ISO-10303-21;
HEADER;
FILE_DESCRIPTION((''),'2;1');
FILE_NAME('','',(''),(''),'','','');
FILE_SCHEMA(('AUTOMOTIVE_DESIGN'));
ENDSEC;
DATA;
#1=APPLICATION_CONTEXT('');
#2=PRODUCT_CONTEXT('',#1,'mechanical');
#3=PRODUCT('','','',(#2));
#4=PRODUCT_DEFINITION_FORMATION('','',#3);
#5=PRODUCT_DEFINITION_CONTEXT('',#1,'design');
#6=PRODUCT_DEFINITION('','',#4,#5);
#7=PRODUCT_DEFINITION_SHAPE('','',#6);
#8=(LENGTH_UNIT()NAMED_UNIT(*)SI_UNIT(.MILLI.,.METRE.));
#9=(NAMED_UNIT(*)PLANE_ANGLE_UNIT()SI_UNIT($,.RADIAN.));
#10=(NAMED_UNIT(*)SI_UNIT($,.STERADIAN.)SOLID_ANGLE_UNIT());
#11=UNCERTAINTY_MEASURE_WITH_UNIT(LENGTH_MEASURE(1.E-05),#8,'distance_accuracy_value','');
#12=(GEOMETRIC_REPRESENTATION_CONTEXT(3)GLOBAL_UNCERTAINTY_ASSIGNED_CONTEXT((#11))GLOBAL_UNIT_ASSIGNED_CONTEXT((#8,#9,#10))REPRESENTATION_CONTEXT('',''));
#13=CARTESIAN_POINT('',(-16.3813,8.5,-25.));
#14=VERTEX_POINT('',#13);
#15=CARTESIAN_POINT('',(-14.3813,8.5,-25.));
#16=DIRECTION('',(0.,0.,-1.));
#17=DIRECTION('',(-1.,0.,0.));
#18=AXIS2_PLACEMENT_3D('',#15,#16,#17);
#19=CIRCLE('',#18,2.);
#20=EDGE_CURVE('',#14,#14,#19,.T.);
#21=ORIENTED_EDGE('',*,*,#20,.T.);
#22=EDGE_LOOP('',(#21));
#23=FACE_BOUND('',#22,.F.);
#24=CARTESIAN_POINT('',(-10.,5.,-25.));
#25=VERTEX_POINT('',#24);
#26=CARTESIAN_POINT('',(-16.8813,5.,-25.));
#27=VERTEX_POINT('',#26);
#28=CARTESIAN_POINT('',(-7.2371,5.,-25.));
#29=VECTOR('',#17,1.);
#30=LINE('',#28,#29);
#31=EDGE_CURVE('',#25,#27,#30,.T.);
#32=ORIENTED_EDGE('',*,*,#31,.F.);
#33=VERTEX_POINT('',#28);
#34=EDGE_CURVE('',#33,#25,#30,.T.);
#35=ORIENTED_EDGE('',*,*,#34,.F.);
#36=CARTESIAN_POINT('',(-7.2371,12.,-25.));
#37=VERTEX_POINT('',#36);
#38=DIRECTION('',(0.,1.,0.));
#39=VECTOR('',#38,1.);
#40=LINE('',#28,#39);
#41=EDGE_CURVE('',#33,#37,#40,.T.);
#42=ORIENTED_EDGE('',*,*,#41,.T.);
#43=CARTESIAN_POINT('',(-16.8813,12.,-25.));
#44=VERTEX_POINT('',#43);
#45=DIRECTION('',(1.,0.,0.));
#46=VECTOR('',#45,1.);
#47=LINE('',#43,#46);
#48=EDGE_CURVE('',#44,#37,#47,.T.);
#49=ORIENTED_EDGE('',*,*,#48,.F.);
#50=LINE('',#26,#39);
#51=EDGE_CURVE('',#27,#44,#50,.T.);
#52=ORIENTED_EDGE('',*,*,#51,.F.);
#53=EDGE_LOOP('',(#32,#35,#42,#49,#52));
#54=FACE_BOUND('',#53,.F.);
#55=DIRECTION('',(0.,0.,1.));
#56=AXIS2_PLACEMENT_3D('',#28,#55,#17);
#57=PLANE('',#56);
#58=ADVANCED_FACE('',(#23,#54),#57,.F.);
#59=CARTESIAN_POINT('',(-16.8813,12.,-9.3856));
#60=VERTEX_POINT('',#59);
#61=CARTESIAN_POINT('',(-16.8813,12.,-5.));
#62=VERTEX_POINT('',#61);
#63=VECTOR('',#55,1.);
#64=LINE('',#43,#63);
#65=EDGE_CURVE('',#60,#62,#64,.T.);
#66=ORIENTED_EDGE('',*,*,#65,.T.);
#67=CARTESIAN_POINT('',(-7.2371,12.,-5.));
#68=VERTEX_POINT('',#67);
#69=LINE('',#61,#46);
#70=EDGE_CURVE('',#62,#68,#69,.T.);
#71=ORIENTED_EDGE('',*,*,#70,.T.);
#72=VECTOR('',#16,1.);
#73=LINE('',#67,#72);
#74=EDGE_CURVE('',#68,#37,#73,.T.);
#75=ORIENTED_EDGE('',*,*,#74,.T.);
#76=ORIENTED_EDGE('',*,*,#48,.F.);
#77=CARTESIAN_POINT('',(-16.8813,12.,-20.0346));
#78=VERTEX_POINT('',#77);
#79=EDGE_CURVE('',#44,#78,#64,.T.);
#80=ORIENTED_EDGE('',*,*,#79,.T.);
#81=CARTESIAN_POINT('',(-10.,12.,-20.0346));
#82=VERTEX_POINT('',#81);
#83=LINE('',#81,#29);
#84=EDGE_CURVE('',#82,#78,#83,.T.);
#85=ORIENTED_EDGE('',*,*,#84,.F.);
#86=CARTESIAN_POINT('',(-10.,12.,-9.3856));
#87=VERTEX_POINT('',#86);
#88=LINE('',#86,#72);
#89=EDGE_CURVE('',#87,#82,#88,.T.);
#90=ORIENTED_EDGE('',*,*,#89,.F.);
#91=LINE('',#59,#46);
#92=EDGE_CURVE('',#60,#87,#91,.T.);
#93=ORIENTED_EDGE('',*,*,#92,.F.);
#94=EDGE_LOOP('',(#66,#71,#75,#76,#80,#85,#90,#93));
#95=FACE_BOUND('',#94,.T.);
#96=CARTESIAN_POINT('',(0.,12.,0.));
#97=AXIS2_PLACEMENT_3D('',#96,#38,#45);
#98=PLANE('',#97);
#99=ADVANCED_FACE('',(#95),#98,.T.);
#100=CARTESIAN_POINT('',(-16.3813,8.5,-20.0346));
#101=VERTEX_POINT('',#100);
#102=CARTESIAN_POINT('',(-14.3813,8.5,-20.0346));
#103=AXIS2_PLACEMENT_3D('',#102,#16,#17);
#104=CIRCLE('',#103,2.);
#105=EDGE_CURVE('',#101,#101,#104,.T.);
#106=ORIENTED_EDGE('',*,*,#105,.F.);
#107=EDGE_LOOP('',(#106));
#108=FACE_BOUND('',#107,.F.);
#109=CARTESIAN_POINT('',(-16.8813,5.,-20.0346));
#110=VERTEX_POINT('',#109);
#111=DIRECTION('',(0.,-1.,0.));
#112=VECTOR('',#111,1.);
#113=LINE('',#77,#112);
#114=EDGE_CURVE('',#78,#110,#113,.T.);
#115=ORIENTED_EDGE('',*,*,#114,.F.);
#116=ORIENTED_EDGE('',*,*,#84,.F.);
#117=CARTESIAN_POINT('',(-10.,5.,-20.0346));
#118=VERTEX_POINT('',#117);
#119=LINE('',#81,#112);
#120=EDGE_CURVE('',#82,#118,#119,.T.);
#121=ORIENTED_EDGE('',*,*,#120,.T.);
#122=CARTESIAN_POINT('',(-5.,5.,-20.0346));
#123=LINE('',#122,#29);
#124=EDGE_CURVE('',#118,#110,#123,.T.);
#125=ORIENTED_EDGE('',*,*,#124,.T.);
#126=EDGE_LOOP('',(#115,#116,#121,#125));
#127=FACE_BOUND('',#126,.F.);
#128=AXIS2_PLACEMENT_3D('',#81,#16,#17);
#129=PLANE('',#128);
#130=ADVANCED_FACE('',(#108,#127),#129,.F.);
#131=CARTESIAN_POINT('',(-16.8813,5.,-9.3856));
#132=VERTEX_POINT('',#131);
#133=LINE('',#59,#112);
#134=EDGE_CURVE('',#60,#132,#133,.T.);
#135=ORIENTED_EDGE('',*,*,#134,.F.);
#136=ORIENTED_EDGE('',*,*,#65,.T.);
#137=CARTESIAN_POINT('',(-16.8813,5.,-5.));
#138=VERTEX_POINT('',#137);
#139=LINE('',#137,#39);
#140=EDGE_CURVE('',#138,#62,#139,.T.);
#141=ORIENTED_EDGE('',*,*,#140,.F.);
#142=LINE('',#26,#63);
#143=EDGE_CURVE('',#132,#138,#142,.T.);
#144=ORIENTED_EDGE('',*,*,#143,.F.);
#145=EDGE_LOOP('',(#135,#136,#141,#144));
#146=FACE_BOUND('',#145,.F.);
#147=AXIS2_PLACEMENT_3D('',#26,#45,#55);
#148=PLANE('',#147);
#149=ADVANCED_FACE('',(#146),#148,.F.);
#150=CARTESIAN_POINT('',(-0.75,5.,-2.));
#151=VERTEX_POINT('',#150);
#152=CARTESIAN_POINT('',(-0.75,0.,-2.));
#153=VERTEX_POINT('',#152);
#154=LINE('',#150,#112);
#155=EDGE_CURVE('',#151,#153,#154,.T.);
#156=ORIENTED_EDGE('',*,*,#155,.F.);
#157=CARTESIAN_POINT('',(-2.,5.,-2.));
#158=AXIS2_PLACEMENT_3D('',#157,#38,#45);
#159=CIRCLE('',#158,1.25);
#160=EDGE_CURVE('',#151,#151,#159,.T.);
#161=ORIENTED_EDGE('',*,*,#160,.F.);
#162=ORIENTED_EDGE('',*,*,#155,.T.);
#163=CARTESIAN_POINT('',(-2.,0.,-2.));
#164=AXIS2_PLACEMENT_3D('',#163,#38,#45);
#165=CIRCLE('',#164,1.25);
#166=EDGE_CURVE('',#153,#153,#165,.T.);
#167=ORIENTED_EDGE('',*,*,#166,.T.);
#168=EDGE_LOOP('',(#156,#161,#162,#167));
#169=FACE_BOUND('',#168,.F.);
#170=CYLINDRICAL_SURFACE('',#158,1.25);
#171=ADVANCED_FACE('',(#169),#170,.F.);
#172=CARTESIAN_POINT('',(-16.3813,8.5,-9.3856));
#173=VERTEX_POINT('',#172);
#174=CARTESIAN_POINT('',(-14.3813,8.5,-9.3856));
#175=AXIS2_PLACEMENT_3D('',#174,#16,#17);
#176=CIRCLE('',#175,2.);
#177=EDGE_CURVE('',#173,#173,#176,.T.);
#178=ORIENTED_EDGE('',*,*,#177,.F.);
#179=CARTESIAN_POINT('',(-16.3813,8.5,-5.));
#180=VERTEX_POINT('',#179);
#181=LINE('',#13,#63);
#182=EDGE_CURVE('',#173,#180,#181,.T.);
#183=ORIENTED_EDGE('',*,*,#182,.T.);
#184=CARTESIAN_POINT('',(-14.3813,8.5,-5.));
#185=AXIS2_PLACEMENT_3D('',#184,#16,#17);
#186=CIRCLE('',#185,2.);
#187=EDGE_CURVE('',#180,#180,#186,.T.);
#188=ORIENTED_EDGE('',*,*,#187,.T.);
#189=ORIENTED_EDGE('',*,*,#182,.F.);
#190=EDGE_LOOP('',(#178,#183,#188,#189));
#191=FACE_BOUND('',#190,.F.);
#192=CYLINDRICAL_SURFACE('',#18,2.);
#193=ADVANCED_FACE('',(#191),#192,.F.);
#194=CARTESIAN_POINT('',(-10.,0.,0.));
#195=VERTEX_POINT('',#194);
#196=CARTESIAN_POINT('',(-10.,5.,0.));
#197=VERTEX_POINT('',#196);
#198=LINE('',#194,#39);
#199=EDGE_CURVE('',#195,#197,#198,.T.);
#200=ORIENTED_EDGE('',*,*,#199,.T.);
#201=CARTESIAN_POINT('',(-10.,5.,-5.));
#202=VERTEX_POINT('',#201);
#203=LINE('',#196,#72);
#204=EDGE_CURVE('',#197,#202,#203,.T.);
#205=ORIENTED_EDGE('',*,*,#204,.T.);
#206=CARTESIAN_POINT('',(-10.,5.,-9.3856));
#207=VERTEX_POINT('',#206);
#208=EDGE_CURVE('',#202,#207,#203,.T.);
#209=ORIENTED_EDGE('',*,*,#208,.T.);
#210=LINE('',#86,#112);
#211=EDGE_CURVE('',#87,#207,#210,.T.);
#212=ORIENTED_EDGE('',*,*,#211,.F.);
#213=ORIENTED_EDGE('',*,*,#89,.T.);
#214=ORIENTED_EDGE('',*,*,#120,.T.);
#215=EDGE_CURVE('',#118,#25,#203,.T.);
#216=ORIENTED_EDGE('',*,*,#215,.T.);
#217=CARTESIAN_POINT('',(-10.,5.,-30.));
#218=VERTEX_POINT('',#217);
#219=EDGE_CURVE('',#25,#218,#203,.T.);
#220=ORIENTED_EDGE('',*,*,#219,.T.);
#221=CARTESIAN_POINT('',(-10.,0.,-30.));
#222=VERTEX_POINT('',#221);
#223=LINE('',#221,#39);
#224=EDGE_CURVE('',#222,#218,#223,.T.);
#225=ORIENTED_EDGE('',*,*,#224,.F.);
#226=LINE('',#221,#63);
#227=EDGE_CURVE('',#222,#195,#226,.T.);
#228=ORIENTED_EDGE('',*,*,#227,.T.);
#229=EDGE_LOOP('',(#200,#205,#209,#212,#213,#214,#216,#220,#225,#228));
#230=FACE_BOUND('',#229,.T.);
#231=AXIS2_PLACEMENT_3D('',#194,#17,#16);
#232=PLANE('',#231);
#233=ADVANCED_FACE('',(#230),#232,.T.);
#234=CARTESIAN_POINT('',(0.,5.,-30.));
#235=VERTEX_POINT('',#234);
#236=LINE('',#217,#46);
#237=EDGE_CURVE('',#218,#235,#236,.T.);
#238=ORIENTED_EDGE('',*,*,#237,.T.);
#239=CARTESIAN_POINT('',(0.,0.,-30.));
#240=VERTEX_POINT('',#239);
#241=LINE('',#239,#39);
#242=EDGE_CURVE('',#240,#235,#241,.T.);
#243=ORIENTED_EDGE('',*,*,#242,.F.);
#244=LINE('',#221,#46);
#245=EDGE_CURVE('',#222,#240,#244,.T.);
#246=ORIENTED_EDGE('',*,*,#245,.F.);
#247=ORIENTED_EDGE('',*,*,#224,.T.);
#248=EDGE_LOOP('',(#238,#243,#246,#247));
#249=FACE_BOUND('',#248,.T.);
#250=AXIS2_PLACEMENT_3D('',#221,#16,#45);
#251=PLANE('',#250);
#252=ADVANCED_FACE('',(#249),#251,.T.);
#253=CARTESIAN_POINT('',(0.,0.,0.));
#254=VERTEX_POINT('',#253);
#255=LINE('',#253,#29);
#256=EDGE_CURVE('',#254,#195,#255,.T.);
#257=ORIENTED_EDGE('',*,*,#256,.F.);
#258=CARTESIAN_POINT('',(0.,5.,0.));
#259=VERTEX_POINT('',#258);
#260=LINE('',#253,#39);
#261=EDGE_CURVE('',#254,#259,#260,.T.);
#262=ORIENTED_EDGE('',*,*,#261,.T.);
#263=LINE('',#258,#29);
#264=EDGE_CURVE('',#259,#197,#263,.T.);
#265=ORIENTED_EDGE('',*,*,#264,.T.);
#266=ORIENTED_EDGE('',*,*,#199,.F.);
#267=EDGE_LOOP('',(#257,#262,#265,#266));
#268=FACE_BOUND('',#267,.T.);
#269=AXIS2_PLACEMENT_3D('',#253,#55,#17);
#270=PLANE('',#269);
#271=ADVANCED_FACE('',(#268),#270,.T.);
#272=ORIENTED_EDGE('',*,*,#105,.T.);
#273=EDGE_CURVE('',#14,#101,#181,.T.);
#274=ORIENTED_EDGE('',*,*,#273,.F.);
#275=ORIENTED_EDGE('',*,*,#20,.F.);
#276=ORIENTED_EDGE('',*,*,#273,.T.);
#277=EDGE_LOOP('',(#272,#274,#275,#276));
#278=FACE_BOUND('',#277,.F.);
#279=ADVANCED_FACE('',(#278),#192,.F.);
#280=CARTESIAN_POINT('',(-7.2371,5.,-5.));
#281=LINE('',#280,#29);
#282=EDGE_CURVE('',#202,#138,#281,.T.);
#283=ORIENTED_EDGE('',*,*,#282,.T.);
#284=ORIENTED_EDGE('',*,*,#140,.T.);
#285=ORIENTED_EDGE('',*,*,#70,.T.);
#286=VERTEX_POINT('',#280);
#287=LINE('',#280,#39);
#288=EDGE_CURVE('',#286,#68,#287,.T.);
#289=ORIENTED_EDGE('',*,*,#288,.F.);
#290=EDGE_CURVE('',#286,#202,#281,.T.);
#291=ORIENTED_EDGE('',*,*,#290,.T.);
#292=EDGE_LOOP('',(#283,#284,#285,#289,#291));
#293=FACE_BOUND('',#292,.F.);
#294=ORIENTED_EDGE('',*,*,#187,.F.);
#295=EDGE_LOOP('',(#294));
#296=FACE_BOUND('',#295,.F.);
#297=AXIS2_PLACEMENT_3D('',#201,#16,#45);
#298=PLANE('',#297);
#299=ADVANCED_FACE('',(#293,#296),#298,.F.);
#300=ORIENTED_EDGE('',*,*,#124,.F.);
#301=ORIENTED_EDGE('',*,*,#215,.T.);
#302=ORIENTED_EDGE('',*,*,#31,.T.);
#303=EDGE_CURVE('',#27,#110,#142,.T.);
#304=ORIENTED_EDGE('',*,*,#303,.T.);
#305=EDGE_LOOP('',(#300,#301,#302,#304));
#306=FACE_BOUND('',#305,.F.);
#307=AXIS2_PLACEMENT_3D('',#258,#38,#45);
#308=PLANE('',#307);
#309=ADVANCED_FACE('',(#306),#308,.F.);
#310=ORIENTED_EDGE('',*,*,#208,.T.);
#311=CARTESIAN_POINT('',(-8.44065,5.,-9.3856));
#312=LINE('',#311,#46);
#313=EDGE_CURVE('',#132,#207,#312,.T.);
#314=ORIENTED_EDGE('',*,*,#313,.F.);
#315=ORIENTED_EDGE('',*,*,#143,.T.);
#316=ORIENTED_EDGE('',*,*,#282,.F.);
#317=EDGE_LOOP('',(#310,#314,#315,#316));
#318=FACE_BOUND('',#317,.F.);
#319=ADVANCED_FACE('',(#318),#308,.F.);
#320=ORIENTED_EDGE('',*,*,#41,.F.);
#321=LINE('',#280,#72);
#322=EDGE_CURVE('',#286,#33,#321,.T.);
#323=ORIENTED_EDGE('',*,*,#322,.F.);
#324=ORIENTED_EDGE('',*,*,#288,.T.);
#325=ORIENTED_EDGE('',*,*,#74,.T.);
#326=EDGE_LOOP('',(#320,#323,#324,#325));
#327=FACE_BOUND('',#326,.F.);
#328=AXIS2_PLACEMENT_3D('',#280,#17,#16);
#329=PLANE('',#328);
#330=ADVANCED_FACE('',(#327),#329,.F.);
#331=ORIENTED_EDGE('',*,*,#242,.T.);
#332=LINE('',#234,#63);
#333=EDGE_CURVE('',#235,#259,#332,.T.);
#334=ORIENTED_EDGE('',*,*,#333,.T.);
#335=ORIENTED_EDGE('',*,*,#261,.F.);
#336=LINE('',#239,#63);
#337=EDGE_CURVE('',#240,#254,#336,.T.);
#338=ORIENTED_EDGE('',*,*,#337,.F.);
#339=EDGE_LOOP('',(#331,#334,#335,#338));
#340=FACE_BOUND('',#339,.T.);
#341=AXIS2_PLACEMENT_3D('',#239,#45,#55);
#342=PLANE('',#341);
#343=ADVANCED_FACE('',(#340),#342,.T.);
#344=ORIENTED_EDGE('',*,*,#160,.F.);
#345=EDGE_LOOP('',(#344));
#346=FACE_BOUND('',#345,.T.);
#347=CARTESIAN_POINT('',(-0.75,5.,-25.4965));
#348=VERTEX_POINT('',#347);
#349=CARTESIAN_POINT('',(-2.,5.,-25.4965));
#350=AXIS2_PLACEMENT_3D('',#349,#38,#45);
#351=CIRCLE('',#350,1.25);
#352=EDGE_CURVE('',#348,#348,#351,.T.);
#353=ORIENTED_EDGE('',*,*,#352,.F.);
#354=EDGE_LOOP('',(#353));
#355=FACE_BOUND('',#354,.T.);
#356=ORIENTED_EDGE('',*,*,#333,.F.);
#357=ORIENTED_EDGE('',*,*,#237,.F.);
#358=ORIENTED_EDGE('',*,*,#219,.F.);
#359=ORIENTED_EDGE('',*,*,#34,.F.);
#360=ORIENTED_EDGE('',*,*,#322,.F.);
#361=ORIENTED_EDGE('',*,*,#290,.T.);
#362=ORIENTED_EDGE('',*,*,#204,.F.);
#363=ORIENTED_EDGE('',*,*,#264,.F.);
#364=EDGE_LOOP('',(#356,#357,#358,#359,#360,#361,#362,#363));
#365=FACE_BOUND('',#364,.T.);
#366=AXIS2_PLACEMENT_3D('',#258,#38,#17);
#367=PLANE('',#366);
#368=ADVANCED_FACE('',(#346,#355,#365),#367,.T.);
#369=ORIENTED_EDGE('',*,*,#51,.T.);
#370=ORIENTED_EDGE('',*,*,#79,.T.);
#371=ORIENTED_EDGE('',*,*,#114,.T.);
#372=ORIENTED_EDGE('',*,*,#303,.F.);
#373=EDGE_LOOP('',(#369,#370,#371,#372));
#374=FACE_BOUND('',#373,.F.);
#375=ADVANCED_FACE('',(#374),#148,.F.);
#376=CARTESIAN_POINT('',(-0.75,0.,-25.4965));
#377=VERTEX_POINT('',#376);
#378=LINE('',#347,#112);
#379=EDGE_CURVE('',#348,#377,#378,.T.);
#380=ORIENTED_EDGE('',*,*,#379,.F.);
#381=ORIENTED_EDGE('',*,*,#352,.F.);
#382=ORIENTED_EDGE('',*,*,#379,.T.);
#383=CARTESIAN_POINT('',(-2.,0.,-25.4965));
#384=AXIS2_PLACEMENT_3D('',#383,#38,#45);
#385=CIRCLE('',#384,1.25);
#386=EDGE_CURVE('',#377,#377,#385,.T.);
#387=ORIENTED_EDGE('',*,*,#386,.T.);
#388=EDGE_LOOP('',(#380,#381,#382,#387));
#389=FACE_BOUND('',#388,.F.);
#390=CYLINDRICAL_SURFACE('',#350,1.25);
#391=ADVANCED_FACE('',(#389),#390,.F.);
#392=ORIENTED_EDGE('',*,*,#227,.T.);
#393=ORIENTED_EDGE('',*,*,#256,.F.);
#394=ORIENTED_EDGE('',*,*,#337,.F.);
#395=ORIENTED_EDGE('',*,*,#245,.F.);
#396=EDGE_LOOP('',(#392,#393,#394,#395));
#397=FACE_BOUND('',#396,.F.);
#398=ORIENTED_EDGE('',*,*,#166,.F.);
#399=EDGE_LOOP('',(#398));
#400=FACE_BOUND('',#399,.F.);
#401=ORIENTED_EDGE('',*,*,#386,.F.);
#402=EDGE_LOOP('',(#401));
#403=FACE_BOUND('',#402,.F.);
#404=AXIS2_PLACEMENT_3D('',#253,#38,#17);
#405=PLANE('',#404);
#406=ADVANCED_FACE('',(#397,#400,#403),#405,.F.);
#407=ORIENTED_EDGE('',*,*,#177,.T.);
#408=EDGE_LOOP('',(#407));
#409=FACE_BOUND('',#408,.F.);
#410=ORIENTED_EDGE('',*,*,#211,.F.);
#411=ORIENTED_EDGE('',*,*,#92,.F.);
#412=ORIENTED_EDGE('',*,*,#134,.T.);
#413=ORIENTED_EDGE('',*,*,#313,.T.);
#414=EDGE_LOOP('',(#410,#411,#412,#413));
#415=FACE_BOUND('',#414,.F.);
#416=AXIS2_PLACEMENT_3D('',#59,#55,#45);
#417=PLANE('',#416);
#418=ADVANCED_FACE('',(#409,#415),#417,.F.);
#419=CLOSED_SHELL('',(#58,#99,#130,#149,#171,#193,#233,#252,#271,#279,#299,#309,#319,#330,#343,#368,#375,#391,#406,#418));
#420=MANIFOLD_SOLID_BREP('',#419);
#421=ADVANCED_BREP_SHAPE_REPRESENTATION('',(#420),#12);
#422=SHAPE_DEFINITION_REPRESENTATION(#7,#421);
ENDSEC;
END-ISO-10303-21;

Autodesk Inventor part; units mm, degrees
ref_plane "YZ Plane" through (0, 0, 0) normal (1, 0, 0) x (0, 1, 0)
ref_plane "XZ Plane" through (0, 0, 0) normal (0, 1, 0) x (-1, 0, 0)
ref_plane "XY Plane" through (0, 0, 0) normal (0, 0, 1) x (1, 0, 0)
sketch "Sketch1" plane through (0, 0, 0) normal (0, 1, 0) x (-1, 0, 0)
  line L0 (0, 0) -> (10, 0)
  line L1 (10, 0) -> (10, -30)
  line L2 (10, -30) -> (0, -30)
  line L3 (0, -30) -> (0, 0)
  dimension "d0" = 30
  dimension "d1" = 10
extrude "Extrusion1" add sketch "Sketch1" along normal blind 5
sketch "Sketch2" plane through (0, 5, 0) normal (0, 1, 0) x (1, 0, 0)
  circle A0 centre (-2, 2) radius 1.25
  circle A1 centre (-2, 25.4965) radius 1.25
  line L0 (0, 0) -> (0, 30) projected
  line L1 (-10, 0) -> (0, 0) projected
  dimension "d4" = 2.5
  dimension "d5" = 2.5
  dimension "d6" = 23.4965
  dimension "d7" = 2
  dimension "d8" = 2
extrude "Extrusion2" cut sketch "Sketch2" against normal through all
sketch "Sketch3" plane through (0, 5, 0) normal (0, 1, 0) x (1, 0, 0)
  line L0 (-10, 30) -> (-10, 0) projected
  line L1 (-10, 5) -> (-10, 25)
  line L2 (-10, 25) -> (-16.8813, 25)
  line L3 (-16.8813, 25) -> (-16.8813, 5)
  line L4 (-16.8813, 5) -> (-10, 5)
  line L5 (-7.2371, 5) -> (-7.2371, 25)
  line L6 (-7.2371, 25) -> (-10, 25)
  line L7 (-10, 5) -> (-7.2371, 5)
  line L8 (-10, 0) -> (0, 0) projected
  dimension "d11" = 20
  dimension "d22" = 5
extrude "Extrusion3" add sketch "Sketch3" along normal blind 7
sketch "Sketch4" plane through (-10, 5, -25) normal (0, 0, -1) x (-1, 0, 0)
  circle A0 centre (4.3813, 3.5) radius 2
  line L0 (6.8813, 0) -> (6.8813, 7) projected
  point P0 (-10, -5)
  dimension "d14" = 4
  dimension "d15" = 2.5
extrude "Extrusion4" cut sketch "Sketch4" against normal through all
sketch "Sketch5" plane through (0, 12, 0) normal (0, 1, 0) x (1, 0, 0)
  line L0 (-16.8813, 25) -> (-16.8813, 5) projected
  line L1 (-10, 30) -> (-10, 0) projected
  line L2 (-16.8813, 10) -> (-10, 10)
  line L3 (-10, 10) -> (-10, 19.25)
  line L4 (-10, 19.25) -> (-16.8813, 19.25)
  line L5 (-16.8813, 19.25) -> (-16.8813, 10)
  line L6 (-16.8813, 5) -> (-7.2371, 5) projected
  point P0 (0, 0)
  point P1 (-16.8813, 19.25)
  point P2 (-10, 10)
  dimension "d18" = 9.25
  dimension "d19" = 5
extrude "Extrusion5" cut sketch "Sketch5" against normal through all contours L4 L1 L2 L0
sketch "Sketch6" plane through (0, 12, 0) normal (0, 1, 0) x (1, 0, 0)
  line L0 (-16.8813, 10) -> (-16.8813, 5) projected
  line L1 (-10, 30) -> (-10, 0) projected
  line L2 (-16.8813, 9.3856) -> (-10, 9.3856)
  line L3 (-10, 9.3856) -> (-10, 20.0346)
  line L4 (-10, 20.0346) -> (-16.8813, 20.0346)
  line L5 (-16.8813, 20.0346) -> (-16.8813, 9.3856)
  point P0 (0, 0)
extrude "Extrusion6" cut sketch "Sketch6" against normal through all
properties part number "test hålare_3DPrint"
